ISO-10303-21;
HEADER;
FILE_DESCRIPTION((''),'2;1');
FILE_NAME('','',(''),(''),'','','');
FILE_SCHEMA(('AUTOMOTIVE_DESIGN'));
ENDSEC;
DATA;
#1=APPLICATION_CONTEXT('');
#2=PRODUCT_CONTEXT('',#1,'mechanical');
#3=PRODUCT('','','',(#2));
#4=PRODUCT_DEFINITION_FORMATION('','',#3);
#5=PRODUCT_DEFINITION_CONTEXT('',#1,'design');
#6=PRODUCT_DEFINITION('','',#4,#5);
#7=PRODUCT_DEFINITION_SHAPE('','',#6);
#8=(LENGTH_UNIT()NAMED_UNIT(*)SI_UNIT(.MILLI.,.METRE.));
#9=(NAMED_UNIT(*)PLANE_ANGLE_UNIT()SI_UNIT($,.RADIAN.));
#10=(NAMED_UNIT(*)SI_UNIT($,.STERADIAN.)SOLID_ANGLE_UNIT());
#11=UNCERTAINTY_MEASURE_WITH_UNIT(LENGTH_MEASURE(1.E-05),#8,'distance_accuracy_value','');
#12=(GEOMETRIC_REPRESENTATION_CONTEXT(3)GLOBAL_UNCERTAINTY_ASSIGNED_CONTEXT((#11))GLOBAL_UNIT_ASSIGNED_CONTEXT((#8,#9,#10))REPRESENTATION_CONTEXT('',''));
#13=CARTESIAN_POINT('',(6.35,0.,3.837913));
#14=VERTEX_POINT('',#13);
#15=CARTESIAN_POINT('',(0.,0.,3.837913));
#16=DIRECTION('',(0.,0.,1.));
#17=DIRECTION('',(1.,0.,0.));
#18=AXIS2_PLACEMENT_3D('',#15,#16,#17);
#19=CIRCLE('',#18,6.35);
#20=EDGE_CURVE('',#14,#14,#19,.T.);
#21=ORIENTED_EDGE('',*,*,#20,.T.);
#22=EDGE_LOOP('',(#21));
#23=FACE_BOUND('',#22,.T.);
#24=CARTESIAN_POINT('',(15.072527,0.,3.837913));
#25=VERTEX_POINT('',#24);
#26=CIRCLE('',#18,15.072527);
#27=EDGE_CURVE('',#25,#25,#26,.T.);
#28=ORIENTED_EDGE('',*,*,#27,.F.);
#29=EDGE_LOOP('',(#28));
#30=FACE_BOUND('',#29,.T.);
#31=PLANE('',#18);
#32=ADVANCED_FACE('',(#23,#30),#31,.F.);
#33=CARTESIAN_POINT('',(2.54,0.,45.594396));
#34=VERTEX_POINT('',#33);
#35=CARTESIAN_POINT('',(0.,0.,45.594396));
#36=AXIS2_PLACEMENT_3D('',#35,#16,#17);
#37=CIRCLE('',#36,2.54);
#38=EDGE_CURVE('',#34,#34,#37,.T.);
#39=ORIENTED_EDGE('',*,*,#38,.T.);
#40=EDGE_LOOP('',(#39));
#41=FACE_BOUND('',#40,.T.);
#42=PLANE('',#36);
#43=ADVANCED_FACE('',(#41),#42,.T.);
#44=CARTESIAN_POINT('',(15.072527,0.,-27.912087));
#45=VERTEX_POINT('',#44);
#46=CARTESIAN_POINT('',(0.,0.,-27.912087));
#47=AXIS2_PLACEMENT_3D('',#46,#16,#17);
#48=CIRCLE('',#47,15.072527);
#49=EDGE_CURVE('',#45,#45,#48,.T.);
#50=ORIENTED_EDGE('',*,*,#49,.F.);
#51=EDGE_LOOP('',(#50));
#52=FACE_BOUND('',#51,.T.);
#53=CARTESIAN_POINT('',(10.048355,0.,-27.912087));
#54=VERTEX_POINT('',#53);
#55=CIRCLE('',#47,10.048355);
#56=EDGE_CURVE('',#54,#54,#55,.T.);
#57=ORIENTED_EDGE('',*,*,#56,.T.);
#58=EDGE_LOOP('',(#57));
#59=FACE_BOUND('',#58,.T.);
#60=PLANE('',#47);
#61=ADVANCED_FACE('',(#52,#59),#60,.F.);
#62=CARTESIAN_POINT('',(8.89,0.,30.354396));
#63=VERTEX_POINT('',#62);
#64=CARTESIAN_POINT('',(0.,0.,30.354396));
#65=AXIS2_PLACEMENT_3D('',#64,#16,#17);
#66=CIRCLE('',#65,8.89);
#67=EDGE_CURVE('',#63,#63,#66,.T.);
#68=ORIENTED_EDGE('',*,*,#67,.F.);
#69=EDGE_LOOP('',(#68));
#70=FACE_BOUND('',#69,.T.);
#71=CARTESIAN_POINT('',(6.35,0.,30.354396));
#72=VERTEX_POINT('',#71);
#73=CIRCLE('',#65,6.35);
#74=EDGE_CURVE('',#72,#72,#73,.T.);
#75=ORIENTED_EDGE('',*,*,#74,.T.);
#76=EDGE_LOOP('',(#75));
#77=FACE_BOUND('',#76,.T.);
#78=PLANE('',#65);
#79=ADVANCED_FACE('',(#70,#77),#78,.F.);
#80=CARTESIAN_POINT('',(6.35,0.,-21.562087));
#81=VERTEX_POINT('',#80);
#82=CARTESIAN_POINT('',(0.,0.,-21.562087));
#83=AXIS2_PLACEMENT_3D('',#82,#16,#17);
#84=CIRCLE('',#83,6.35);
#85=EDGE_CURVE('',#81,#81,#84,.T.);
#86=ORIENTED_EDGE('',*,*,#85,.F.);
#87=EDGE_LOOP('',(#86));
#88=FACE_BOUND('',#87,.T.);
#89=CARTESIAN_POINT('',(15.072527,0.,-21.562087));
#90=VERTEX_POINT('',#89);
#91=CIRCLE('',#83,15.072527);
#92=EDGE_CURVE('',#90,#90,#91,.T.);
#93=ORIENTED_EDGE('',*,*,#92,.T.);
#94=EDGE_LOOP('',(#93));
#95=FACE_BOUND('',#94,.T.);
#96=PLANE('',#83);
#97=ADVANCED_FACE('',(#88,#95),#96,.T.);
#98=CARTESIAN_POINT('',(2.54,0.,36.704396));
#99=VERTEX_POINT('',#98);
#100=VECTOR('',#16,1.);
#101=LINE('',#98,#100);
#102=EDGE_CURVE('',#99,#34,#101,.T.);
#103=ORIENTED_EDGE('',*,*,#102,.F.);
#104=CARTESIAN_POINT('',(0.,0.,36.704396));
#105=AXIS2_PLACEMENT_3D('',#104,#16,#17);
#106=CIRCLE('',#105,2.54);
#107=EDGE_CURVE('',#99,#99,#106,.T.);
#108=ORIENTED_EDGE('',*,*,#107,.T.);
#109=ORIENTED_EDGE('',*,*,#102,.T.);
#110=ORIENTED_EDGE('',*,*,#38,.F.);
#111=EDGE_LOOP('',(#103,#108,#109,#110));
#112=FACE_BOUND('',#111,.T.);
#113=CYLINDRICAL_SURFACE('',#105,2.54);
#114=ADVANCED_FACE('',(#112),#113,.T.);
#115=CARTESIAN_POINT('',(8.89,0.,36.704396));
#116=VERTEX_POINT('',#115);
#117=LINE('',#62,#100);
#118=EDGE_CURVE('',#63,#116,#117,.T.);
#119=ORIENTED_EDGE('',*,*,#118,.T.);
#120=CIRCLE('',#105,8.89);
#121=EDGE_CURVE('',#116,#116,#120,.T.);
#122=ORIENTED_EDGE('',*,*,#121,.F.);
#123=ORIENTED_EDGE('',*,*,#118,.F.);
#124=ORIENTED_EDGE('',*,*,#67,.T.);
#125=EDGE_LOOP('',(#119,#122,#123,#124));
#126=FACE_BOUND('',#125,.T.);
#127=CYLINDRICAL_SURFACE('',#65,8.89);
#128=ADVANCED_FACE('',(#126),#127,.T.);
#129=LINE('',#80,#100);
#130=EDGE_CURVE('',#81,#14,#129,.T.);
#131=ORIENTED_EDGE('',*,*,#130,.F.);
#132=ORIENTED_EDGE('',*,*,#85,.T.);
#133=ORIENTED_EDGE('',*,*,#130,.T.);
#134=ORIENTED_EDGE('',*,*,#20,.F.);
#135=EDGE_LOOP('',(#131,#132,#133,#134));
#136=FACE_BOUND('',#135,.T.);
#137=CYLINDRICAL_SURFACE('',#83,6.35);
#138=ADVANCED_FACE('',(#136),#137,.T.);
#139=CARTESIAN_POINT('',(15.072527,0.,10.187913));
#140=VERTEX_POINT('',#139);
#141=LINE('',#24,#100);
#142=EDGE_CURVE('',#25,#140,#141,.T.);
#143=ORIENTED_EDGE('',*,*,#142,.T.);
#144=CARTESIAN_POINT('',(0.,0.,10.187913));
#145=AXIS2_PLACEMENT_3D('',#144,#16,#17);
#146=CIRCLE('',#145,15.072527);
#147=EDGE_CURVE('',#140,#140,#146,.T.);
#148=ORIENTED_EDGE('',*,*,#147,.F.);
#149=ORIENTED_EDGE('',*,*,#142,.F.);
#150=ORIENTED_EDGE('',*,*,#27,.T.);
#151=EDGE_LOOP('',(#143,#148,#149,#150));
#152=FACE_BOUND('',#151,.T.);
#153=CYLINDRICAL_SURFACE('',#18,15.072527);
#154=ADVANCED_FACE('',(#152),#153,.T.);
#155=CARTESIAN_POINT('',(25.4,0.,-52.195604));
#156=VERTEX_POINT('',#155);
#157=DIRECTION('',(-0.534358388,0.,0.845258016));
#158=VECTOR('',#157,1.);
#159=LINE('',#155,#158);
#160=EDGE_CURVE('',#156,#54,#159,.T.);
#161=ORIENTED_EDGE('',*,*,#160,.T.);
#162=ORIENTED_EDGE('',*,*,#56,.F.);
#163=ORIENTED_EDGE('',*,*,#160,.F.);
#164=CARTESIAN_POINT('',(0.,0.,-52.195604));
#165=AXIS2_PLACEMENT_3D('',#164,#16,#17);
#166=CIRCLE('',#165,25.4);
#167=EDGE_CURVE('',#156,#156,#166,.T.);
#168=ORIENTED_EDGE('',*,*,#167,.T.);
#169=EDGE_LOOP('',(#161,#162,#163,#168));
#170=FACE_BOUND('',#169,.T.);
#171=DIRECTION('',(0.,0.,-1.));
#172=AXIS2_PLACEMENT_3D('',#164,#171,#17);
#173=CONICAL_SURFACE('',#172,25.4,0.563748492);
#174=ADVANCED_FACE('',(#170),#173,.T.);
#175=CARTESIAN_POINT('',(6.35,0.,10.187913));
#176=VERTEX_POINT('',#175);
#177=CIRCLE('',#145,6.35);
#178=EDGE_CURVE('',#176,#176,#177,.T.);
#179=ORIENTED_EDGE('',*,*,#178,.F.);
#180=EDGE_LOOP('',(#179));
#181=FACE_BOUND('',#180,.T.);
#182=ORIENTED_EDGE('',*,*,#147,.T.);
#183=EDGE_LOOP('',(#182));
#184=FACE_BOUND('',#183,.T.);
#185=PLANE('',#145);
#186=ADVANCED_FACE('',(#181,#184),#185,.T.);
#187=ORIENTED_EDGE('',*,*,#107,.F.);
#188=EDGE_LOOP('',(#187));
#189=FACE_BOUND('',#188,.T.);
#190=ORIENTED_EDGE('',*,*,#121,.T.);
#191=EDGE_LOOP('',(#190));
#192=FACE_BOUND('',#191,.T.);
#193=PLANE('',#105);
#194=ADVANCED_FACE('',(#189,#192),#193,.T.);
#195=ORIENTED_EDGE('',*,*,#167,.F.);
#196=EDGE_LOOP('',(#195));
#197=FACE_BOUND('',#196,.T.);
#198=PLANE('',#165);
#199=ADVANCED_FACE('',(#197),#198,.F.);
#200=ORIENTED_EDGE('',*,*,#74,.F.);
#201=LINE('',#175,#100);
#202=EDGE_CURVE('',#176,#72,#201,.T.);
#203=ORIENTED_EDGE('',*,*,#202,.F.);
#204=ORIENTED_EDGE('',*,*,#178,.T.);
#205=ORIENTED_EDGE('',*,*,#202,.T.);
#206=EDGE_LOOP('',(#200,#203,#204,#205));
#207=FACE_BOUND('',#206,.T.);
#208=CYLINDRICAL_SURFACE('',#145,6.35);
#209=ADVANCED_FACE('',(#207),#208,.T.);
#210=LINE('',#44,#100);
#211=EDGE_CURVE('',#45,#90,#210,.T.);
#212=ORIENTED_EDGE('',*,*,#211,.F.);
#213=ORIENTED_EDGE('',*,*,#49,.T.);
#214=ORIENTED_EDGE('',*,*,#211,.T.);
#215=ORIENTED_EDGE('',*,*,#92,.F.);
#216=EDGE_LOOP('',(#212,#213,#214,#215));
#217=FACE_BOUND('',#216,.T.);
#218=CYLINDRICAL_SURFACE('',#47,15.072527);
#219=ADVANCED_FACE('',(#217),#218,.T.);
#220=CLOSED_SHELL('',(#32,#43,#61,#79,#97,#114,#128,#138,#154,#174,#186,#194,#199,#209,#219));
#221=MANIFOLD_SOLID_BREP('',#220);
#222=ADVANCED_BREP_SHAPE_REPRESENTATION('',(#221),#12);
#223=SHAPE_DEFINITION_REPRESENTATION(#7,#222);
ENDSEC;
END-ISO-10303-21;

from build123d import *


with BuildPart() as f1:
    # F0 (on Front) → F1 (revolve)
    with BuildSketch(Plane.XZ):
        Polygon((0, 36.704396), (0, 0), (0, -52.195604), (25.4, -52.195604), (10.048355, -27.912087), (15.072527, -27.912087), (15.072527, -21.562087), (6.35, -21.562087), (6.35, 3.837913), (15.072527, 3.837913), (15.072527, 10.187913), (6.35, 10.187913), (6.35, 30.354396), (8.89, 30.354396), (8.89, 36.704396), (6.35, 36.704396), (2.54, 36.704396), (2.54, 45.594396), (0, 45.594396), align=None)
    revolve(axis=Axis((0, 0, 18.352198), (0, 0, 1)))


solid = f1.part
